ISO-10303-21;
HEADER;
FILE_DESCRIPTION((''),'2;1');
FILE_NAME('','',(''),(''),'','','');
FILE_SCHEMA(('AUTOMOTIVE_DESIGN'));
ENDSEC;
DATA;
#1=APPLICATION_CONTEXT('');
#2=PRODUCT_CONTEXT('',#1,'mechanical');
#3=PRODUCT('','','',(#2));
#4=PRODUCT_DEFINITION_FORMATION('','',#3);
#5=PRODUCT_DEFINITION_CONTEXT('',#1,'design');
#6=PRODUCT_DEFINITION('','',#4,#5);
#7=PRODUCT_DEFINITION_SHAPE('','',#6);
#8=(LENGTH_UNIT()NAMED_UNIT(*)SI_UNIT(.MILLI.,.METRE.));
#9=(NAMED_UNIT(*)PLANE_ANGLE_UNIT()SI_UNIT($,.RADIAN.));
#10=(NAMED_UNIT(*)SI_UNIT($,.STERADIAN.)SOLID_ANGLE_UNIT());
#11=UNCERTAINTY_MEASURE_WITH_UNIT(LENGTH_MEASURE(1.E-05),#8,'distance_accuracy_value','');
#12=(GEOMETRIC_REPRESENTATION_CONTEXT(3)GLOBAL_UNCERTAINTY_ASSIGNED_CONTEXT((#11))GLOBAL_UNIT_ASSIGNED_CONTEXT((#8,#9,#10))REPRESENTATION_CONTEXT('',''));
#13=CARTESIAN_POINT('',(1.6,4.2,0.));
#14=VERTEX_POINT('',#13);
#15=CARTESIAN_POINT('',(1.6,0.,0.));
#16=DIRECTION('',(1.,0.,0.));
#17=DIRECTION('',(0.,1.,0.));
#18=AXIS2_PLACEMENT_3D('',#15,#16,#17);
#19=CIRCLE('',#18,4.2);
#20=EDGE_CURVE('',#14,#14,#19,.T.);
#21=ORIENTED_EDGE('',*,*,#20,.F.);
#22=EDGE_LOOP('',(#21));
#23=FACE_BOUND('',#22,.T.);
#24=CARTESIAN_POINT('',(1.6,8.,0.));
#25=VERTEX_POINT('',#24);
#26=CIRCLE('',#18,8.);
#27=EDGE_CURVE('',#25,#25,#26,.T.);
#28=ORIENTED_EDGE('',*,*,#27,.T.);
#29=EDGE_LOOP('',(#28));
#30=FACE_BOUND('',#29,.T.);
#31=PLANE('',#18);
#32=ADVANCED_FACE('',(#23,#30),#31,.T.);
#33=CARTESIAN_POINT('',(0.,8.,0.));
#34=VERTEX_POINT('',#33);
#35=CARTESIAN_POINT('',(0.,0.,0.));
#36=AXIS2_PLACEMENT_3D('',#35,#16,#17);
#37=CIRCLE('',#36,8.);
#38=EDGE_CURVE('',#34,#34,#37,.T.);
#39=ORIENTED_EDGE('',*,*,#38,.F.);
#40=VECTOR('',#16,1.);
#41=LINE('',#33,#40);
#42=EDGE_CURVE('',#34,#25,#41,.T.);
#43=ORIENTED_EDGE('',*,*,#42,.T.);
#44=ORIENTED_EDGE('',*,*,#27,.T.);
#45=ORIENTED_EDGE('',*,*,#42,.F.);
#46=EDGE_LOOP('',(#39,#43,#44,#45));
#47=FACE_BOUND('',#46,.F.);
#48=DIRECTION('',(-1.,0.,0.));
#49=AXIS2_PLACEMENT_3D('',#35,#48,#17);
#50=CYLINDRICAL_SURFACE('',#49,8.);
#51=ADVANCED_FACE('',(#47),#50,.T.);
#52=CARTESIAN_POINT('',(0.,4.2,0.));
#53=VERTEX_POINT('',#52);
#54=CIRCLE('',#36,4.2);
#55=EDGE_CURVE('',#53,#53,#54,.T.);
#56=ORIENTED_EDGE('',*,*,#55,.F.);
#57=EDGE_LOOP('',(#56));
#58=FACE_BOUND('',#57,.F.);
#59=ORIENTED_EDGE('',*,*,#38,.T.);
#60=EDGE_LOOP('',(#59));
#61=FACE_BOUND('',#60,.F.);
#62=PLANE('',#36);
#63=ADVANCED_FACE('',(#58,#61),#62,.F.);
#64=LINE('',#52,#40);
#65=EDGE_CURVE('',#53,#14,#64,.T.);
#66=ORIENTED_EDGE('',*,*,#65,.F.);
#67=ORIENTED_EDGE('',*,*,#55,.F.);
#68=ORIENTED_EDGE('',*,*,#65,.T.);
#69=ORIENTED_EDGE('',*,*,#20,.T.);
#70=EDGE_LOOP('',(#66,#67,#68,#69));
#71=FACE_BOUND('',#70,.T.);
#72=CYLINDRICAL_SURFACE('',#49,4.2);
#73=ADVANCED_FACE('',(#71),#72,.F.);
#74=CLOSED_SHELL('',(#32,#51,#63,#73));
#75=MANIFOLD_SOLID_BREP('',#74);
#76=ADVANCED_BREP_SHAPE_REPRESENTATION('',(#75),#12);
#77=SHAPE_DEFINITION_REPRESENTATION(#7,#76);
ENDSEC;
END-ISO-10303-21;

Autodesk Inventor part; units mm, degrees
ref_plane "YZ Plane" through (0, 0, 0) normal (1, 0, 0) x (0, 1, 0)
ref_plane "XZ Plane" through (0, 0, 0) normal (0, 1, 0) x (-1, 0, 0)
sketch "Sketch" plane through (0, 0, 0) normal (1, 0, 0) x (0, 1, 0)
  circle A0 centre (0, 0) radius 8
  circle A1 centre (0, 0) radius 4.2
  dimension "d0" = 8.4
  dimension "d1" = 16
extrude "Body" add sketch "Sketch" along normal blind 1.6
ref_plane "Work Plane1" through (0, 0, 0) normal (0, 0, 1) x (1, 0, 0)
equation "\"d0\" = SD1"
equation "\"d1\" = SD2"
equation "\"d2\" = SD"
equation "\"SD1\" = 8.4"
equation "\"SD2\" = 16"
equation "\"SD\" = 1.6"
equation "\"NND\" = 8"
properties part number "Washer M8" material "Steel, Mild"
